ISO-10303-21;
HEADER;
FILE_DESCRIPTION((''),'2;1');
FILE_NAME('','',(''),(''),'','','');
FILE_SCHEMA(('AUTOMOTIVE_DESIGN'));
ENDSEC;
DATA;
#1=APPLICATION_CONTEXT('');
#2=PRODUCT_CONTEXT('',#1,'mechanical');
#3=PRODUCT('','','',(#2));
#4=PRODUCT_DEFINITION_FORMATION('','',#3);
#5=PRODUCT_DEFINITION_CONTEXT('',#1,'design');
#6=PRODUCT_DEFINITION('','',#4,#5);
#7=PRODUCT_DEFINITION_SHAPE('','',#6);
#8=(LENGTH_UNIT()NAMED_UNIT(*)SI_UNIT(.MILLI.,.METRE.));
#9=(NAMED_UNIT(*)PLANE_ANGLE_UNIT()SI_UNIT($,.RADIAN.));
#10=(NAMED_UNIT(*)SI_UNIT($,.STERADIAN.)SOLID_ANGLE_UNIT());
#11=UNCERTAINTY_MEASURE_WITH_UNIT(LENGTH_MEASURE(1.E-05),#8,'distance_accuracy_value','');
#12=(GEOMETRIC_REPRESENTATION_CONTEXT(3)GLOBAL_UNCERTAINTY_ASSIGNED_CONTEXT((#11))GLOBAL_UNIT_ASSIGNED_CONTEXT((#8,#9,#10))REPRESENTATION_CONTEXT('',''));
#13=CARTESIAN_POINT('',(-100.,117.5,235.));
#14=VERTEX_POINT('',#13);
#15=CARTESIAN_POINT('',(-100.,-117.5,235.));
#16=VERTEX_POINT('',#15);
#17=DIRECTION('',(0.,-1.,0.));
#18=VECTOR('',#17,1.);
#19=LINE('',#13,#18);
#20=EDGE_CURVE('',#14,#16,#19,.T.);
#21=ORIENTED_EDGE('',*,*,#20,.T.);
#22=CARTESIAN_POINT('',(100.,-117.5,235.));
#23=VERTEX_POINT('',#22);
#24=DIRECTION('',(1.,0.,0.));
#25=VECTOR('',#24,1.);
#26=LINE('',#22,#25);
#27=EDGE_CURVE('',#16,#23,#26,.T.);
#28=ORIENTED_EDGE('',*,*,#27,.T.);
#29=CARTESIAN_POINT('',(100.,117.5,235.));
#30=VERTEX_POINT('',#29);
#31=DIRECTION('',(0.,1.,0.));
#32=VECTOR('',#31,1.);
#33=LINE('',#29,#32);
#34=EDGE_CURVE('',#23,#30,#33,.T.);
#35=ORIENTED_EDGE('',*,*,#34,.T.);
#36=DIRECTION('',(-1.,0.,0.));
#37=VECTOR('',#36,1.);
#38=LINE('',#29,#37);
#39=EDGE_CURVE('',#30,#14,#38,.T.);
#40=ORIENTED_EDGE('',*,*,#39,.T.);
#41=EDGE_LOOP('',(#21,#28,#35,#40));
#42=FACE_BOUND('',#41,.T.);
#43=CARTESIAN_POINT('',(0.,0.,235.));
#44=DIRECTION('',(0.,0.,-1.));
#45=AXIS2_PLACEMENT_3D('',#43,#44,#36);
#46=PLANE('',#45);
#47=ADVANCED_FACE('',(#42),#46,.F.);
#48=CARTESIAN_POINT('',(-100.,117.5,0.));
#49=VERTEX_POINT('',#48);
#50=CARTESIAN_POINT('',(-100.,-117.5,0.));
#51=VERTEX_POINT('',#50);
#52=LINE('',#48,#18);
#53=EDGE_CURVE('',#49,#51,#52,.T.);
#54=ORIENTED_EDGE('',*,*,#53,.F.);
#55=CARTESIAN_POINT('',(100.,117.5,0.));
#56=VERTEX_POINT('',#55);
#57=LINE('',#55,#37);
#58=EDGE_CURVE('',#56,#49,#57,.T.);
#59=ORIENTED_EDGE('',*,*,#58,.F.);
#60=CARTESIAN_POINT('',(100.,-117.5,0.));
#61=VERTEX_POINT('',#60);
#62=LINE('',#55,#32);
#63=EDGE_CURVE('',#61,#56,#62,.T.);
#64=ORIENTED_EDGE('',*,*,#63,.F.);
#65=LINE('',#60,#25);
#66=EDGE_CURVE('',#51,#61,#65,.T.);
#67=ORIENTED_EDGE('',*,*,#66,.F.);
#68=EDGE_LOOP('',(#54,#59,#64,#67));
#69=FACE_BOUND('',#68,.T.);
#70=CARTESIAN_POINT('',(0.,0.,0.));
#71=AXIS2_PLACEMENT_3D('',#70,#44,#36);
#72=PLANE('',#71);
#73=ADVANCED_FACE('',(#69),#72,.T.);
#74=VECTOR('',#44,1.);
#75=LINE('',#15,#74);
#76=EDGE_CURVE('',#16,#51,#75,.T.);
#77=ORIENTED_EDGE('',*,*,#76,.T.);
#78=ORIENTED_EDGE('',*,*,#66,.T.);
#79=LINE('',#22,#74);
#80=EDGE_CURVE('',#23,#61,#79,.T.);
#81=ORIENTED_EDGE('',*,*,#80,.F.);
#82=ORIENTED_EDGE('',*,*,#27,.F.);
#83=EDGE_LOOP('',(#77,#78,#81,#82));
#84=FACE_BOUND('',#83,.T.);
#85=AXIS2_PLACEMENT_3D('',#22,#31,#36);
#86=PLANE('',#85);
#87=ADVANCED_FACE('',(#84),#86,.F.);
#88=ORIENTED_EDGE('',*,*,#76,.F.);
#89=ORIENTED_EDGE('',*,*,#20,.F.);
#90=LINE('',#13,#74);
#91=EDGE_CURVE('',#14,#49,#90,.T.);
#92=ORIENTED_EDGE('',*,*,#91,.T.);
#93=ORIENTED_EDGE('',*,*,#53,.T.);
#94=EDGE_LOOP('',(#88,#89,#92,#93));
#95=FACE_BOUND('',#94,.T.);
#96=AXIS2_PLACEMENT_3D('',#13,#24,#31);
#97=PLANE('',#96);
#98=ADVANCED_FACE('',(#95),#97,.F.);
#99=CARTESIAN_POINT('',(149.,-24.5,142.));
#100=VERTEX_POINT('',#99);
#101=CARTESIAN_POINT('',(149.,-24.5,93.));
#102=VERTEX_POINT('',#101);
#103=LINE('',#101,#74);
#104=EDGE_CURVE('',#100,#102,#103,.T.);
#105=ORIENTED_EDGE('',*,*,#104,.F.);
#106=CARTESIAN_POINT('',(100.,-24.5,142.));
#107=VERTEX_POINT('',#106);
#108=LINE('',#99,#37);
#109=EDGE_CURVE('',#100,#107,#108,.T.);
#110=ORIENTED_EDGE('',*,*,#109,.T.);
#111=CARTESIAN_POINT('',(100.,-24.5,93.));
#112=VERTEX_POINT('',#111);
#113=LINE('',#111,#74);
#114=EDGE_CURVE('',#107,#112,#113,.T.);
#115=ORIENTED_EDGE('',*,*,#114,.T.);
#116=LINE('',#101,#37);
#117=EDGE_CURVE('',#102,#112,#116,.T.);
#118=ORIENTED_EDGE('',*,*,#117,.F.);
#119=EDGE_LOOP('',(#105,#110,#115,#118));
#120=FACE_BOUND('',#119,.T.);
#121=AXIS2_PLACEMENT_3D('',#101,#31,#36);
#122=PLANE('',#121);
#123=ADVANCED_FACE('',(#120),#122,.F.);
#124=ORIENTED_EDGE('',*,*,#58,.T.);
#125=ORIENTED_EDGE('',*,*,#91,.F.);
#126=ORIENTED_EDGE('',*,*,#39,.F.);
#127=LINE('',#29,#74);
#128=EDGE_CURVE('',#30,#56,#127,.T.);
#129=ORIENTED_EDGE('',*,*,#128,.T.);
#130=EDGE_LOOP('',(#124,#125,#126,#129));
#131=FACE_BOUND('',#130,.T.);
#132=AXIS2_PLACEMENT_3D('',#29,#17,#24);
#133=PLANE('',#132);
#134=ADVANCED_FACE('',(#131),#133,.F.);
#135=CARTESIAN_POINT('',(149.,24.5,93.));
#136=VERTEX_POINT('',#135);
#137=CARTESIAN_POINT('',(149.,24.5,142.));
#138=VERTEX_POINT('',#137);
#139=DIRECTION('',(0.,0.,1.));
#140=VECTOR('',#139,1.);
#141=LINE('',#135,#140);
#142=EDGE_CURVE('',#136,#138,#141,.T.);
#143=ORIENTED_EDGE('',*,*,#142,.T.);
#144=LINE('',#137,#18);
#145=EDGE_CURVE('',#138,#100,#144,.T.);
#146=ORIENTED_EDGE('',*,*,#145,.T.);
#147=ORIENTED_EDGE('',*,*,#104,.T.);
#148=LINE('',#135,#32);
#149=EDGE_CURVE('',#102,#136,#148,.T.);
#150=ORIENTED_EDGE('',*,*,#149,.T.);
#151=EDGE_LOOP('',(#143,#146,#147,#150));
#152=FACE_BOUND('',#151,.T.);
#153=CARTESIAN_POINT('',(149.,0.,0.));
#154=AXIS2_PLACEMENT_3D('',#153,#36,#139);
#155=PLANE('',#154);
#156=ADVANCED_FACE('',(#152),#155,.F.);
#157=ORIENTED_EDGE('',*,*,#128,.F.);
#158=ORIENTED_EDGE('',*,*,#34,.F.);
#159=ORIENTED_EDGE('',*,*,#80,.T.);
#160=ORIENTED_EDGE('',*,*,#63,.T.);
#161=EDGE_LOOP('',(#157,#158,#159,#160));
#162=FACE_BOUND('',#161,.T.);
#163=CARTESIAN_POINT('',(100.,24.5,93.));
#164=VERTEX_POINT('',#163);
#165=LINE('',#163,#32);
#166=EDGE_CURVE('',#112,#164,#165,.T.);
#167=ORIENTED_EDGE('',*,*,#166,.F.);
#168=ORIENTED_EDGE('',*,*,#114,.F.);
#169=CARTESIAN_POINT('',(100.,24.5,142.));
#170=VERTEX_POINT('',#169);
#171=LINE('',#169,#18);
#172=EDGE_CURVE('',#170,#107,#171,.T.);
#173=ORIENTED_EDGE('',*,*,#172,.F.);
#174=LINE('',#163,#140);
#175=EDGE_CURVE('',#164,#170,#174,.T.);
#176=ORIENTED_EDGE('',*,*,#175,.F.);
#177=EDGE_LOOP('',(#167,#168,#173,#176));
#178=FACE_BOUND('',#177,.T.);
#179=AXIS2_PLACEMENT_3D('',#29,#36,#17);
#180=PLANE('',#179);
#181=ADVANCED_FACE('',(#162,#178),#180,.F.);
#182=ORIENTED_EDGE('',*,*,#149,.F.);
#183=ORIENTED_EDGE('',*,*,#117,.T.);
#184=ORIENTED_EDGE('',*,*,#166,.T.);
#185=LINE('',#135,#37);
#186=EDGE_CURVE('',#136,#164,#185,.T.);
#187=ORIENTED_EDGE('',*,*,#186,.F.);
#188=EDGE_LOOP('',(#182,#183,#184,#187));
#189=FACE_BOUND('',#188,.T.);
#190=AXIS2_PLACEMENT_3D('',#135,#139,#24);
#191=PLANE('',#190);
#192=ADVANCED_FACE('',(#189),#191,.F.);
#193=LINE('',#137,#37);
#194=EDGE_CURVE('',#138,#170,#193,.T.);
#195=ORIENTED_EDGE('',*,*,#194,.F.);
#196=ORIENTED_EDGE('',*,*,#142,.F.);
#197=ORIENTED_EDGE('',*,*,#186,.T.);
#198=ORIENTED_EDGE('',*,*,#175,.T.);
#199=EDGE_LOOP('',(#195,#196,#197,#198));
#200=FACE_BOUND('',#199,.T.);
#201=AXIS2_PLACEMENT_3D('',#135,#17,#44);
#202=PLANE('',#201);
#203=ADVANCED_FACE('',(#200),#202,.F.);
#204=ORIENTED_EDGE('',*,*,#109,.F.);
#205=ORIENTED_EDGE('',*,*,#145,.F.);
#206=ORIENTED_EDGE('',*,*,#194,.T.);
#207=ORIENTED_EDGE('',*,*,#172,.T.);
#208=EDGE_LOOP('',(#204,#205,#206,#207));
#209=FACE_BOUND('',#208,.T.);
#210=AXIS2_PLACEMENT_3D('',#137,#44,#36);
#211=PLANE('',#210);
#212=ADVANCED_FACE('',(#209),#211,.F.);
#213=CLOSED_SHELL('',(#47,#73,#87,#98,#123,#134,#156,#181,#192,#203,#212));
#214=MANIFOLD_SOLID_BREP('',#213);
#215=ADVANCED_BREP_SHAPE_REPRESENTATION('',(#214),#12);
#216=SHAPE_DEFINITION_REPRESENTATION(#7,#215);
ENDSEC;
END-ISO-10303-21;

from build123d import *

# Parameters (mm, degrees)
CROQUIS1_W              = 200
CROQUIS1_H              = 235
SALIENTE_EXTRUIR1_DEPTH = 235
CROQUIS2_W              = 49
CROQUIS2_H              = 49
SALIENTE_EXTRUIR2_DEPTH = 49


with BuildPart() as part:
    # Croquis1 → Saliente-Extruir1 (new body)
    with BuildSketch(Plane.XY):
        Rectangle(CROQUIS1_W, CROQUIS1_H)
    extrude(amount=SALIENTE_EXTRUIR1_DEPTH)

    # Croquis2 → Saliente-Extruir2 (add)
    with BuildSketch(Plane(origin=(100, 0, 0), x_dir=(0, 0, -1), z_dir=(1, 0, 0))):
        with Locations((-117.5, 0)):
            Rectangle(CROQUIS2_W, CROQUIS2_H)
    extrude(amount=SALIENTE_EXTRUIR2_DEPTH)


solid = part.part
